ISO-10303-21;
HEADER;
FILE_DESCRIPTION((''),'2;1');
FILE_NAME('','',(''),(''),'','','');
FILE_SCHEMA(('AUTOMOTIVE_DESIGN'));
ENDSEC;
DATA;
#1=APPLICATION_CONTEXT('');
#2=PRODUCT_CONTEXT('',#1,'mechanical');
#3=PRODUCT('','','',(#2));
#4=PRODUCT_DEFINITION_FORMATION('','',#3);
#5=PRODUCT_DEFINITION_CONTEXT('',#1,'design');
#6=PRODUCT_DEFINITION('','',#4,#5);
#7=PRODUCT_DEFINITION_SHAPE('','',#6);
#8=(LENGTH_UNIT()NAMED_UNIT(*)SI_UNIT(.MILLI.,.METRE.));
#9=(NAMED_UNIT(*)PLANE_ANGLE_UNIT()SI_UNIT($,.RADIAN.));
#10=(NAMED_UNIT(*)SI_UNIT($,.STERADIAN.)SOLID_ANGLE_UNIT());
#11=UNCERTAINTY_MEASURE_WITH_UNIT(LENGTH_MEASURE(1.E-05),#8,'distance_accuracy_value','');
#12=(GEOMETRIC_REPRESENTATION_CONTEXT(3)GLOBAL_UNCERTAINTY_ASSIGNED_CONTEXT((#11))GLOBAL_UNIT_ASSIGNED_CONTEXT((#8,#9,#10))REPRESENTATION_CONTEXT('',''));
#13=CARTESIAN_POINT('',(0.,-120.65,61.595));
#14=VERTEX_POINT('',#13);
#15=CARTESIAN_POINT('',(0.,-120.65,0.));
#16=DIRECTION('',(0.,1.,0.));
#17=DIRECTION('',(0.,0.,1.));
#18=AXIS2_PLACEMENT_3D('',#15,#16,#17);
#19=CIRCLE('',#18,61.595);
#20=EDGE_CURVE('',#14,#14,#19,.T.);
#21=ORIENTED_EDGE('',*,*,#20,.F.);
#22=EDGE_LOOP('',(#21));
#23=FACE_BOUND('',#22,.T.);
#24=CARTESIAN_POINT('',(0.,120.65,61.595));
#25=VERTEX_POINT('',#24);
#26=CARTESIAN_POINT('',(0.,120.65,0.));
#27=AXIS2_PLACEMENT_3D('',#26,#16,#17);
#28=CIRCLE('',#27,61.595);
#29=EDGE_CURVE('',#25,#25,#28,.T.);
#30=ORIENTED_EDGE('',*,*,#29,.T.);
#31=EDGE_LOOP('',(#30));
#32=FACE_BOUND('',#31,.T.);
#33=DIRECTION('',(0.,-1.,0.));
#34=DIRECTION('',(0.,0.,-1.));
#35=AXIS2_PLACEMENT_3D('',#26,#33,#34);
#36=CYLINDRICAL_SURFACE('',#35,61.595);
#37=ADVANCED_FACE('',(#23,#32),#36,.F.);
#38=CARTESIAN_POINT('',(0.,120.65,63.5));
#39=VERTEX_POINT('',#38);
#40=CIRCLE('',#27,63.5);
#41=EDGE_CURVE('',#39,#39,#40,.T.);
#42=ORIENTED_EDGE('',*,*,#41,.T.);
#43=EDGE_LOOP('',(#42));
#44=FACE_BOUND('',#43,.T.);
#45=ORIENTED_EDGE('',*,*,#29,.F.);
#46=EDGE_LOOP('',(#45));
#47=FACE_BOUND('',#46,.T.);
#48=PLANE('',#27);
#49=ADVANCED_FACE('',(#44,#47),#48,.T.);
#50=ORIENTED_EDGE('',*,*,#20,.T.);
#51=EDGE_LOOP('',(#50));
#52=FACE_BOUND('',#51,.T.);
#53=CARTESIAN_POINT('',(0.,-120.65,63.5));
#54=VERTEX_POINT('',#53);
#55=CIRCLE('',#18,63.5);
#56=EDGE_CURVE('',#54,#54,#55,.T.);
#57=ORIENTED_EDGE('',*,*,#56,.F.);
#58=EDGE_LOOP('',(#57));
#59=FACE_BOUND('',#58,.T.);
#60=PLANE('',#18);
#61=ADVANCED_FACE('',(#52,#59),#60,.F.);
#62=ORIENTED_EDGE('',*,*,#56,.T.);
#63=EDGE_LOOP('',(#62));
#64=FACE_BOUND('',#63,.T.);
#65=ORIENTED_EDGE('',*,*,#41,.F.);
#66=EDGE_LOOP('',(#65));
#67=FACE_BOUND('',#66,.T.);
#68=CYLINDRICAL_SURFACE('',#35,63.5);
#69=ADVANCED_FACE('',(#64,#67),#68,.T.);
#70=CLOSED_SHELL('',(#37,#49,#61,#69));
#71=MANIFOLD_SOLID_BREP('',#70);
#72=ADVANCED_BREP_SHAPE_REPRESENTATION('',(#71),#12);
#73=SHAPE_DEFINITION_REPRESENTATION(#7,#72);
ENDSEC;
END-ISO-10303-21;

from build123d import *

# Parameters (mm, degrees)
SKETCH1_R           = 63.5
SKETCH1_R_2         = 61.595
BOSS_EXTRUDE1_DEPTH = 120.65


with BuildPart() as part:
    # Sketch1 → Boss-Extrude1 (new body, symmetric)
    with BuildSketch(Plane(origin=(0, 0, 0), x_dir=(1, 0, 0), z_dir=(0, 1, 0))):
        Circle(SKETCH1_R)
        Circle(SKETCH1_R_2, mode=Mode.SUBTRACT)
    extrude(amount=BOSS_EXTRUDE1_DEPTH, both=True)


solid = part.part
